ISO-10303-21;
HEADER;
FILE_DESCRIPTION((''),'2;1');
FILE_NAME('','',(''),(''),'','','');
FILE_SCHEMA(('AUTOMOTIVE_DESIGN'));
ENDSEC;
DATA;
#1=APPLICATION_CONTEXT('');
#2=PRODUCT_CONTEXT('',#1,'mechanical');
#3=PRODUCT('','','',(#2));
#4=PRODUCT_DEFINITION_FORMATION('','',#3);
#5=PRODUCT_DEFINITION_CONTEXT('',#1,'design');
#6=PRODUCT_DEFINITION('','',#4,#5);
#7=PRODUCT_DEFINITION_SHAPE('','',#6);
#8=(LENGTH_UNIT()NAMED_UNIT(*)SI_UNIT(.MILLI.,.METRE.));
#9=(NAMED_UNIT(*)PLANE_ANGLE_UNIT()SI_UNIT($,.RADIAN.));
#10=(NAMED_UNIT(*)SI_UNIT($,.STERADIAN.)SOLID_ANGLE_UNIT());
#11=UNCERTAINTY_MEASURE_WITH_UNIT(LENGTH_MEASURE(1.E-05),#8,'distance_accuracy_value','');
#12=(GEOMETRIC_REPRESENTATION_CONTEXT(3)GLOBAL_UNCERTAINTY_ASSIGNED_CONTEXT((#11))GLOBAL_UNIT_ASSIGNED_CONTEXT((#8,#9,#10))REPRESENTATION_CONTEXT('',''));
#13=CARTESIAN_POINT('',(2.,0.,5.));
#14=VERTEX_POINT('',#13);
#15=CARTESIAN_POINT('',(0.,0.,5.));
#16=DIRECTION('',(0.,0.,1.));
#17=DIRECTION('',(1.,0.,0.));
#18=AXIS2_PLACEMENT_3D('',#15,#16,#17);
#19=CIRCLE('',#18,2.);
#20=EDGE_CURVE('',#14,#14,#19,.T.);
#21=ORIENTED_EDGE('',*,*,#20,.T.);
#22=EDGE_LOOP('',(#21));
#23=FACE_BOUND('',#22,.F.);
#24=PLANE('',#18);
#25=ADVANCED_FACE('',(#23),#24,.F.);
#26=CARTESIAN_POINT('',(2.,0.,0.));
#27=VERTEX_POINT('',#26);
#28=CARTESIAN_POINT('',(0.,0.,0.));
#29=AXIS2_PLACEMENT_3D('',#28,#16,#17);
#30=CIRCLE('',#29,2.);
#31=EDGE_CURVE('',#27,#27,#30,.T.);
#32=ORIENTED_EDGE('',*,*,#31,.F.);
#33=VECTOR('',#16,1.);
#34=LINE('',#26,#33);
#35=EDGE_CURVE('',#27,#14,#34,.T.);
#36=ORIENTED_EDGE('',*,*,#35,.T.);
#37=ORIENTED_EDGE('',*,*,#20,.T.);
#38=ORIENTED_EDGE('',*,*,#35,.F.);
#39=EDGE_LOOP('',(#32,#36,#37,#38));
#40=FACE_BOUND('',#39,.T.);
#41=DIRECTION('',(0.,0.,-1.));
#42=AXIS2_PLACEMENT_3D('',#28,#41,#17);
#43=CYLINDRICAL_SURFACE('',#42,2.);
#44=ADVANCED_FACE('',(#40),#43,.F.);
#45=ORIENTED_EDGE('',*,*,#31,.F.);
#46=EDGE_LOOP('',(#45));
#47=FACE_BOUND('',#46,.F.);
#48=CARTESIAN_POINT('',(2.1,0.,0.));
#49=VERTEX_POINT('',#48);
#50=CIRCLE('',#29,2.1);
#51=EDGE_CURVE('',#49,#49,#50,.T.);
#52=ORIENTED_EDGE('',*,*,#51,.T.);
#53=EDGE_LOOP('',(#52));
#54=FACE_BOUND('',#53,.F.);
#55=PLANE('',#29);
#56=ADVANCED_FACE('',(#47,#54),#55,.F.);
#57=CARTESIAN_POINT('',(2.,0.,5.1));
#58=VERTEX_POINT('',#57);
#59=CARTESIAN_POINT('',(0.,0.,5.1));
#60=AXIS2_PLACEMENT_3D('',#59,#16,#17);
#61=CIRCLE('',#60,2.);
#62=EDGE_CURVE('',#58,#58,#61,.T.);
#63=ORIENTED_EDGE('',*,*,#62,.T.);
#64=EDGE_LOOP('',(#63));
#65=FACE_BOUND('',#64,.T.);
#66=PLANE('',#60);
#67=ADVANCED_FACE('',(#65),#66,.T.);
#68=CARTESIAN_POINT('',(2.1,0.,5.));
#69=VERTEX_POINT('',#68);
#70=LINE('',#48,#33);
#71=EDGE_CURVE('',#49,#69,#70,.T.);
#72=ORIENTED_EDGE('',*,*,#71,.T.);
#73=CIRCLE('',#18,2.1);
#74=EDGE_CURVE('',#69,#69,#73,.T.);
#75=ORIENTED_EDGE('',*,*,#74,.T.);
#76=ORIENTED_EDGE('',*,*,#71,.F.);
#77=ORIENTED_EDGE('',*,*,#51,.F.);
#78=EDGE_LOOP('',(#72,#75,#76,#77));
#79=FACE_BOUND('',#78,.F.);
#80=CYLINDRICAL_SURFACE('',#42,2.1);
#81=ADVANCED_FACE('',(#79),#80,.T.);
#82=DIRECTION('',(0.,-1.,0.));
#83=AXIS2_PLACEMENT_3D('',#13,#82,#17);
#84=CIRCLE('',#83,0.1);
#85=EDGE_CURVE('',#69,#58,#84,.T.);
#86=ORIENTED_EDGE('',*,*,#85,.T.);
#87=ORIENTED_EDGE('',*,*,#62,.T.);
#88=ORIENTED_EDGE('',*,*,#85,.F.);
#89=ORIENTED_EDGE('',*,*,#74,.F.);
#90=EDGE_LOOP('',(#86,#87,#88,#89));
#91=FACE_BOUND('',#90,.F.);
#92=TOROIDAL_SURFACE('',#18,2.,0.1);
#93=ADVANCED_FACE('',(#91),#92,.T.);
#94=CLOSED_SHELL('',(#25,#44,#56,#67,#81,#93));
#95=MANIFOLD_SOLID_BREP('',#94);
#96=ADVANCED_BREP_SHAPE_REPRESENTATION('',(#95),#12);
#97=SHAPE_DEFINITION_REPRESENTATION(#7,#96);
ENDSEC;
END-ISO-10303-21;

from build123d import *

# Parameters (mm, degrees)
CYLINDER_R     = 2
CYLINDER_DEPTH = 5
THICKNESS_T    = 0.1


with BuildPart() as part:
    # Cylinder → Cylinder (new body)
    with BuildSketch(Plane.XY):
        Circle(CYLINDER_R)
    extrude(amount=CYLINDER_DEPTH)

    # Thickness
    thickness_openings = [part.faces().sort_by_distance(p)[0] for p in [
        (0, 0, 0),
    ]]
    offset(amount=THICKNESS_T, openings=thickness_openings)


solid = part.part
